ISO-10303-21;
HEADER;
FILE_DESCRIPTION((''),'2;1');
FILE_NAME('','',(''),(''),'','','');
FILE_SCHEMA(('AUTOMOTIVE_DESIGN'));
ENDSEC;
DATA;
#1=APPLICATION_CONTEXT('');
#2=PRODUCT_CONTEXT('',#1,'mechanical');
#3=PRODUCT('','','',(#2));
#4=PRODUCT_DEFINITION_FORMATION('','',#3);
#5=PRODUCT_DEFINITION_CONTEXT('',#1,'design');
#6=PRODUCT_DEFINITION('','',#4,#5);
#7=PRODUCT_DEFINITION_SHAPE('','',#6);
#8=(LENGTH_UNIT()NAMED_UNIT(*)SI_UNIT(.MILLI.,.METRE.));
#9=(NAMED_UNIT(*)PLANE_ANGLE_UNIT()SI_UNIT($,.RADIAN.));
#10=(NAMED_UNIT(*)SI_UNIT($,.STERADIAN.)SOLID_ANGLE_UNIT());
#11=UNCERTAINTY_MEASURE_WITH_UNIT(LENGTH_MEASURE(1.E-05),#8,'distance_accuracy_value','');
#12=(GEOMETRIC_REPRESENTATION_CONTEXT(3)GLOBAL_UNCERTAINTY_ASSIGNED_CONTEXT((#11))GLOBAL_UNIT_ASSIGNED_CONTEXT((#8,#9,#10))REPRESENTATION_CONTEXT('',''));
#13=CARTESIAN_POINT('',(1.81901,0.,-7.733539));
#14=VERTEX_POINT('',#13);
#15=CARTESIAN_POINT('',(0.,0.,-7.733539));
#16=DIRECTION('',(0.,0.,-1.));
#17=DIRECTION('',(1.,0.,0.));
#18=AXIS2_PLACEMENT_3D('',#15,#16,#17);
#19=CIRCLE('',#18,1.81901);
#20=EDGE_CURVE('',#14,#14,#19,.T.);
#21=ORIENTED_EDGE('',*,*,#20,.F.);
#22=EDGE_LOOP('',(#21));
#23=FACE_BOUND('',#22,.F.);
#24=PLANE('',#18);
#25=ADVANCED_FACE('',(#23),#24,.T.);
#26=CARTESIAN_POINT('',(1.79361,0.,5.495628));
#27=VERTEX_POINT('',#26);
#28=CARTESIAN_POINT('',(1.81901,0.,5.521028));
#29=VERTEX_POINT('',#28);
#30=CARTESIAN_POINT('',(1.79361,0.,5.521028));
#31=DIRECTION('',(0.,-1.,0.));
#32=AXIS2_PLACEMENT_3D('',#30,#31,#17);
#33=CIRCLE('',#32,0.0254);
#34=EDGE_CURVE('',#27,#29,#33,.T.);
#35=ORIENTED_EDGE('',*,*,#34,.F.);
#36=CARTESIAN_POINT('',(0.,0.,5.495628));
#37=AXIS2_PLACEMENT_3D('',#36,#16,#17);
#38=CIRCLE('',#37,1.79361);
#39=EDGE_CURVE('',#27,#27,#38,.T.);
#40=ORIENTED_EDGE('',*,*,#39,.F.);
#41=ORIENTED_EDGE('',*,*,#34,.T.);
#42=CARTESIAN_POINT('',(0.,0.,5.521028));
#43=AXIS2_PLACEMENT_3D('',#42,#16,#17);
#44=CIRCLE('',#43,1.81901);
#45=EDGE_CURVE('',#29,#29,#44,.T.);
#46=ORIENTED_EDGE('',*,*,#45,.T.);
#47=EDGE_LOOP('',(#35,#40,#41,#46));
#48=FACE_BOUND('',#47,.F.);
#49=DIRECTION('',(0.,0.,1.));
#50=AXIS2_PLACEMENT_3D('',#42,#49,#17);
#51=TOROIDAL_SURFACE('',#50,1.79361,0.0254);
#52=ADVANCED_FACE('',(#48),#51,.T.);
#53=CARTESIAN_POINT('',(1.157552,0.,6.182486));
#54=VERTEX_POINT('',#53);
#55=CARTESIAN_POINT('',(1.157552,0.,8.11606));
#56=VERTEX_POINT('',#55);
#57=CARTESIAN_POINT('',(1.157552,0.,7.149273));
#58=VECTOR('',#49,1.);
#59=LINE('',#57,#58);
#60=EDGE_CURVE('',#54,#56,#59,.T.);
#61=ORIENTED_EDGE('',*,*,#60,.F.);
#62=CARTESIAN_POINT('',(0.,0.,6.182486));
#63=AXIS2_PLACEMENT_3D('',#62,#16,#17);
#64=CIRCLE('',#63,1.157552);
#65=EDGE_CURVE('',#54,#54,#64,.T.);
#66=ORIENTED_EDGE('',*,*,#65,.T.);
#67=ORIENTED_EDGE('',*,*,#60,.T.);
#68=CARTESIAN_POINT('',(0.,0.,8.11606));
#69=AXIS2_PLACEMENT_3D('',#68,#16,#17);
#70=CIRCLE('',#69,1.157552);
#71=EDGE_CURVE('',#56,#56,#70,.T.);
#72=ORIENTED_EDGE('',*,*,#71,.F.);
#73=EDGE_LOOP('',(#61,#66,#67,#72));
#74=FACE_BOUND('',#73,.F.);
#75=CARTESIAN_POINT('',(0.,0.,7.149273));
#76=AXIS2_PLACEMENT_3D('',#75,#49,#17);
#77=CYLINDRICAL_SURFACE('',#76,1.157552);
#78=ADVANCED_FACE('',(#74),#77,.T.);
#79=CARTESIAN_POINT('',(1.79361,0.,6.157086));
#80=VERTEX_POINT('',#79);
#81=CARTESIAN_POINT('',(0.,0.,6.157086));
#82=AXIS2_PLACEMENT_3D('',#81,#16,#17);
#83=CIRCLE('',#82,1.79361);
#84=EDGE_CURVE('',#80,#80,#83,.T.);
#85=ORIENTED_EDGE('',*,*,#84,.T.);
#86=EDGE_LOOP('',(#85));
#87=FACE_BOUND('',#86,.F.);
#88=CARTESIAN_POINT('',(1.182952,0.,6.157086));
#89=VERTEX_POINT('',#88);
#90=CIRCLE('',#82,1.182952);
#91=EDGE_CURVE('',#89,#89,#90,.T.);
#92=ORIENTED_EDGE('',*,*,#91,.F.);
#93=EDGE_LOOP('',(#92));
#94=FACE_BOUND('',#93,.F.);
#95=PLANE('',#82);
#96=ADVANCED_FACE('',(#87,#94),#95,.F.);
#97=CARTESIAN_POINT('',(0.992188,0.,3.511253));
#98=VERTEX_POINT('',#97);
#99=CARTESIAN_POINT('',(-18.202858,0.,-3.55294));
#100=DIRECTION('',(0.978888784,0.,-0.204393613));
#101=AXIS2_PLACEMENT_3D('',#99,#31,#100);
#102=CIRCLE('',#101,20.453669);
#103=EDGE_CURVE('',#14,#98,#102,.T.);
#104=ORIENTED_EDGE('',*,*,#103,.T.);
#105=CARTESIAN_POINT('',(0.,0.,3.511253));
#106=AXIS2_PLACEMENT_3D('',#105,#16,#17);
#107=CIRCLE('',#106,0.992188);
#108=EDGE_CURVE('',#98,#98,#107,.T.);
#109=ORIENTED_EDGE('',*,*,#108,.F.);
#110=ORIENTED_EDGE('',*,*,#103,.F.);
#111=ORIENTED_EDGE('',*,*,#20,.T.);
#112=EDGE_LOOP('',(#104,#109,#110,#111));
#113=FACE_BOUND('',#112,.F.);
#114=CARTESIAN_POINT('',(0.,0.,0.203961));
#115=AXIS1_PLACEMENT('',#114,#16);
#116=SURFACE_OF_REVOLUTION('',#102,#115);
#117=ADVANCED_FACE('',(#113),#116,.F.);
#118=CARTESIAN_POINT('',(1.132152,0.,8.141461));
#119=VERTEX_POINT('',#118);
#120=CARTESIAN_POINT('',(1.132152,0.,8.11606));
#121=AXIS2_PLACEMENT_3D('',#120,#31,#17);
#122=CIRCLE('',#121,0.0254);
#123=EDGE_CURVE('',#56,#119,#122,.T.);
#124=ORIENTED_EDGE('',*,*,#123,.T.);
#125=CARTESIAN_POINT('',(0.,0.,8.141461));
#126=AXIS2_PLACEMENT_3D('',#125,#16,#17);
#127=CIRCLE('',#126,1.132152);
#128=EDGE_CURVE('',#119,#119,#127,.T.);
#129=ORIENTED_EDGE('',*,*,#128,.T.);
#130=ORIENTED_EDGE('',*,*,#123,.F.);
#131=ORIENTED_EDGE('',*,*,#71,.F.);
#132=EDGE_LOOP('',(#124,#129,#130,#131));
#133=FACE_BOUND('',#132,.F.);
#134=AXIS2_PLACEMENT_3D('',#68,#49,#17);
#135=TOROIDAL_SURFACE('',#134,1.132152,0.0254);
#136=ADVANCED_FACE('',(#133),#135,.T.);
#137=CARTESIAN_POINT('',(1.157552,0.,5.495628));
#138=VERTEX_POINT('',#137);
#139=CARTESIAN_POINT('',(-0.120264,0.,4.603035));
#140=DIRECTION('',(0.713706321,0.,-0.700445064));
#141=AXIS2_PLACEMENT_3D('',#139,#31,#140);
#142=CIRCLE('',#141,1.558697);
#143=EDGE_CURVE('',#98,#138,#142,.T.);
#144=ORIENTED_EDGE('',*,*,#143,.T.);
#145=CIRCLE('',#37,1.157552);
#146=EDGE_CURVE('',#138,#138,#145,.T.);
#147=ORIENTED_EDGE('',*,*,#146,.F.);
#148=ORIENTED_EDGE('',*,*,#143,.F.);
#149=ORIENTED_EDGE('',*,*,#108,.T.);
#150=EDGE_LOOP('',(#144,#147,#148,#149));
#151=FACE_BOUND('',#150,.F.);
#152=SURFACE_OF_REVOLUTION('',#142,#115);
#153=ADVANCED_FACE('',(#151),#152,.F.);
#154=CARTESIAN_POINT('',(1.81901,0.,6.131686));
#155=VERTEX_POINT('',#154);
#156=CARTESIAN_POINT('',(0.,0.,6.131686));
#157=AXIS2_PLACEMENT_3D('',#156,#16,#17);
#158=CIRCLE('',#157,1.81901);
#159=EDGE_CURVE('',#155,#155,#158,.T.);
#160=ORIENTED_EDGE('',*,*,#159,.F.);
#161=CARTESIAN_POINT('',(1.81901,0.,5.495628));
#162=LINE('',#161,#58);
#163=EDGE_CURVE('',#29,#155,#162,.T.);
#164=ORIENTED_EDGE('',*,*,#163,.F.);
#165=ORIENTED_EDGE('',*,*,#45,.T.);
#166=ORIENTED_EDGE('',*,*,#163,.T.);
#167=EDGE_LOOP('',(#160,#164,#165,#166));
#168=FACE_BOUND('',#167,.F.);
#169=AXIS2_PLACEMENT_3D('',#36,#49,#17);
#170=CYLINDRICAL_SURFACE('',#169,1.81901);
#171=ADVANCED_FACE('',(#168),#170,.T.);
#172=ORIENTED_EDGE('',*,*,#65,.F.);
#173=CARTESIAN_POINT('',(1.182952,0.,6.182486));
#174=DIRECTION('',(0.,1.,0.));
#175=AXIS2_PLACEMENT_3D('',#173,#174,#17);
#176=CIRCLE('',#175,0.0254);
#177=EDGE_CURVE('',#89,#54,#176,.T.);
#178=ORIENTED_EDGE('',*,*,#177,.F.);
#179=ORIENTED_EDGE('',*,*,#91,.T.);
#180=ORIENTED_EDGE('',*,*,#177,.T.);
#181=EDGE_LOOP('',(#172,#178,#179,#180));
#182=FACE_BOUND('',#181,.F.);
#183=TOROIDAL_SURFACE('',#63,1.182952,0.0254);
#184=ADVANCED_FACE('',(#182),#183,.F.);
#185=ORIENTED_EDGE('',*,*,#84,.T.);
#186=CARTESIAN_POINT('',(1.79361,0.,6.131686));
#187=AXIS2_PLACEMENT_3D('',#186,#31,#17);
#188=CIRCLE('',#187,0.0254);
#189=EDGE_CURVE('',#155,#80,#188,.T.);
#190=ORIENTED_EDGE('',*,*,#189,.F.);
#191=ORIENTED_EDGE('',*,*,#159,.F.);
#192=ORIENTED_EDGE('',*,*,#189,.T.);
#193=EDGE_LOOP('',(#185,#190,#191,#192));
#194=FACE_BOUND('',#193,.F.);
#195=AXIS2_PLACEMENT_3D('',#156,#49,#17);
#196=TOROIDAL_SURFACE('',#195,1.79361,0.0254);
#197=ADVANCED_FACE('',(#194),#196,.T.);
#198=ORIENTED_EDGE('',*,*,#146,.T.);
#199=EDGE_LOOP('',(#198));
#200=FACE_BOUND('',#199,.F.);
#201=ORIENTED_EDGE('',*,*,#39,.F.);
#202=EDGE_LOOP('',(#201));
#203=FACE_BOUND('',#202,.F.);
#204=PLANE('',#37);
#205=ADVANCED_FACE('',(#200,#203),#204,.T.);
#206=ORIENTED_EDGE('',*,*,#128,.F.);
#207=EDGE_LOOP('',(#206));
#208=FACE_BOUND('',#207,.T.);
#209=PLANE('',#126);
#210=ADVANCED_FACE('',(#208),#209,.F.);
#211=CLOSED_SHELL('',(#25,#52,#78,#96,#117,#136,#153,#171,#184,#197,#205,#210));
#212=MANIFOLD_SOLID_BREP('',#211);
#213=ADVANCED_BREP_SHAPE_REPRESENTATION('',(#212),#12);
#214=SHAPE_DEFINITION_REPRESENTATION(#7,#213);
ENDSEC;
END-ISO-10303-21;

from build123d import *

# Parameters (mm, degrees)
F0_W = 1.157552
F0_H = 1.984375
F2_R = 0.0254


with BuildPart() as f1:
    # F0 (on Front) → F1 (revolve)
    with BuildSketch(Plane.XZ):
        with Locations((0.578776, 7.149273)):
            Rectangle(F0_W, F0_H)
        Polygon((1.157552, 6.157086), (0, 6.157086), (0, 5.495628), (1.157552, 5.495628), (1.81901, 5.495628), (1.81901, 6.157086), align=None)
        with BuildLine():
            Line((1.157552, 5.495628), (0, 5.495628))
            Line((0, 5.495628), (0, 3.511253))
            Line((0, 3.511253), (0.992188, 3.511253))
            ThreePointArc((0.992188, 3.511253), (1.433049, 4.473592), (1.157552, 5.495628))
        make_face()
        with BuildLine():
            Line((0.992188, 3.511253), (0, 3.511253))
            Line((0, 3.511253), (0, -7.733539))
            Line((0, -7.733539), (0.992188, -7.733539))
            Line((0.992188, -7.733539), (1.81901, -7.733539))
            ThreePointArc((1.81901, -7.733539), (2.195743, -2.053044), (0.992188, 3.511253))
        make_face()
    revolve(axis=Axis((0, 0, 0.203961), (0, 0, -1)))

    # F2
    f2_edges = [f1.edges().sort_by_distance(p)[0] for p in [
        (-1.157552, 0, 8.141461),
        (-1.81901, 0, 6.157086),
        (-1.81901, 0, 5.495628),
        (-1.157552, 0, 6.157086),
    ]]
    fillet(f2_edges, radius=F2_R)


solid = f1.part
